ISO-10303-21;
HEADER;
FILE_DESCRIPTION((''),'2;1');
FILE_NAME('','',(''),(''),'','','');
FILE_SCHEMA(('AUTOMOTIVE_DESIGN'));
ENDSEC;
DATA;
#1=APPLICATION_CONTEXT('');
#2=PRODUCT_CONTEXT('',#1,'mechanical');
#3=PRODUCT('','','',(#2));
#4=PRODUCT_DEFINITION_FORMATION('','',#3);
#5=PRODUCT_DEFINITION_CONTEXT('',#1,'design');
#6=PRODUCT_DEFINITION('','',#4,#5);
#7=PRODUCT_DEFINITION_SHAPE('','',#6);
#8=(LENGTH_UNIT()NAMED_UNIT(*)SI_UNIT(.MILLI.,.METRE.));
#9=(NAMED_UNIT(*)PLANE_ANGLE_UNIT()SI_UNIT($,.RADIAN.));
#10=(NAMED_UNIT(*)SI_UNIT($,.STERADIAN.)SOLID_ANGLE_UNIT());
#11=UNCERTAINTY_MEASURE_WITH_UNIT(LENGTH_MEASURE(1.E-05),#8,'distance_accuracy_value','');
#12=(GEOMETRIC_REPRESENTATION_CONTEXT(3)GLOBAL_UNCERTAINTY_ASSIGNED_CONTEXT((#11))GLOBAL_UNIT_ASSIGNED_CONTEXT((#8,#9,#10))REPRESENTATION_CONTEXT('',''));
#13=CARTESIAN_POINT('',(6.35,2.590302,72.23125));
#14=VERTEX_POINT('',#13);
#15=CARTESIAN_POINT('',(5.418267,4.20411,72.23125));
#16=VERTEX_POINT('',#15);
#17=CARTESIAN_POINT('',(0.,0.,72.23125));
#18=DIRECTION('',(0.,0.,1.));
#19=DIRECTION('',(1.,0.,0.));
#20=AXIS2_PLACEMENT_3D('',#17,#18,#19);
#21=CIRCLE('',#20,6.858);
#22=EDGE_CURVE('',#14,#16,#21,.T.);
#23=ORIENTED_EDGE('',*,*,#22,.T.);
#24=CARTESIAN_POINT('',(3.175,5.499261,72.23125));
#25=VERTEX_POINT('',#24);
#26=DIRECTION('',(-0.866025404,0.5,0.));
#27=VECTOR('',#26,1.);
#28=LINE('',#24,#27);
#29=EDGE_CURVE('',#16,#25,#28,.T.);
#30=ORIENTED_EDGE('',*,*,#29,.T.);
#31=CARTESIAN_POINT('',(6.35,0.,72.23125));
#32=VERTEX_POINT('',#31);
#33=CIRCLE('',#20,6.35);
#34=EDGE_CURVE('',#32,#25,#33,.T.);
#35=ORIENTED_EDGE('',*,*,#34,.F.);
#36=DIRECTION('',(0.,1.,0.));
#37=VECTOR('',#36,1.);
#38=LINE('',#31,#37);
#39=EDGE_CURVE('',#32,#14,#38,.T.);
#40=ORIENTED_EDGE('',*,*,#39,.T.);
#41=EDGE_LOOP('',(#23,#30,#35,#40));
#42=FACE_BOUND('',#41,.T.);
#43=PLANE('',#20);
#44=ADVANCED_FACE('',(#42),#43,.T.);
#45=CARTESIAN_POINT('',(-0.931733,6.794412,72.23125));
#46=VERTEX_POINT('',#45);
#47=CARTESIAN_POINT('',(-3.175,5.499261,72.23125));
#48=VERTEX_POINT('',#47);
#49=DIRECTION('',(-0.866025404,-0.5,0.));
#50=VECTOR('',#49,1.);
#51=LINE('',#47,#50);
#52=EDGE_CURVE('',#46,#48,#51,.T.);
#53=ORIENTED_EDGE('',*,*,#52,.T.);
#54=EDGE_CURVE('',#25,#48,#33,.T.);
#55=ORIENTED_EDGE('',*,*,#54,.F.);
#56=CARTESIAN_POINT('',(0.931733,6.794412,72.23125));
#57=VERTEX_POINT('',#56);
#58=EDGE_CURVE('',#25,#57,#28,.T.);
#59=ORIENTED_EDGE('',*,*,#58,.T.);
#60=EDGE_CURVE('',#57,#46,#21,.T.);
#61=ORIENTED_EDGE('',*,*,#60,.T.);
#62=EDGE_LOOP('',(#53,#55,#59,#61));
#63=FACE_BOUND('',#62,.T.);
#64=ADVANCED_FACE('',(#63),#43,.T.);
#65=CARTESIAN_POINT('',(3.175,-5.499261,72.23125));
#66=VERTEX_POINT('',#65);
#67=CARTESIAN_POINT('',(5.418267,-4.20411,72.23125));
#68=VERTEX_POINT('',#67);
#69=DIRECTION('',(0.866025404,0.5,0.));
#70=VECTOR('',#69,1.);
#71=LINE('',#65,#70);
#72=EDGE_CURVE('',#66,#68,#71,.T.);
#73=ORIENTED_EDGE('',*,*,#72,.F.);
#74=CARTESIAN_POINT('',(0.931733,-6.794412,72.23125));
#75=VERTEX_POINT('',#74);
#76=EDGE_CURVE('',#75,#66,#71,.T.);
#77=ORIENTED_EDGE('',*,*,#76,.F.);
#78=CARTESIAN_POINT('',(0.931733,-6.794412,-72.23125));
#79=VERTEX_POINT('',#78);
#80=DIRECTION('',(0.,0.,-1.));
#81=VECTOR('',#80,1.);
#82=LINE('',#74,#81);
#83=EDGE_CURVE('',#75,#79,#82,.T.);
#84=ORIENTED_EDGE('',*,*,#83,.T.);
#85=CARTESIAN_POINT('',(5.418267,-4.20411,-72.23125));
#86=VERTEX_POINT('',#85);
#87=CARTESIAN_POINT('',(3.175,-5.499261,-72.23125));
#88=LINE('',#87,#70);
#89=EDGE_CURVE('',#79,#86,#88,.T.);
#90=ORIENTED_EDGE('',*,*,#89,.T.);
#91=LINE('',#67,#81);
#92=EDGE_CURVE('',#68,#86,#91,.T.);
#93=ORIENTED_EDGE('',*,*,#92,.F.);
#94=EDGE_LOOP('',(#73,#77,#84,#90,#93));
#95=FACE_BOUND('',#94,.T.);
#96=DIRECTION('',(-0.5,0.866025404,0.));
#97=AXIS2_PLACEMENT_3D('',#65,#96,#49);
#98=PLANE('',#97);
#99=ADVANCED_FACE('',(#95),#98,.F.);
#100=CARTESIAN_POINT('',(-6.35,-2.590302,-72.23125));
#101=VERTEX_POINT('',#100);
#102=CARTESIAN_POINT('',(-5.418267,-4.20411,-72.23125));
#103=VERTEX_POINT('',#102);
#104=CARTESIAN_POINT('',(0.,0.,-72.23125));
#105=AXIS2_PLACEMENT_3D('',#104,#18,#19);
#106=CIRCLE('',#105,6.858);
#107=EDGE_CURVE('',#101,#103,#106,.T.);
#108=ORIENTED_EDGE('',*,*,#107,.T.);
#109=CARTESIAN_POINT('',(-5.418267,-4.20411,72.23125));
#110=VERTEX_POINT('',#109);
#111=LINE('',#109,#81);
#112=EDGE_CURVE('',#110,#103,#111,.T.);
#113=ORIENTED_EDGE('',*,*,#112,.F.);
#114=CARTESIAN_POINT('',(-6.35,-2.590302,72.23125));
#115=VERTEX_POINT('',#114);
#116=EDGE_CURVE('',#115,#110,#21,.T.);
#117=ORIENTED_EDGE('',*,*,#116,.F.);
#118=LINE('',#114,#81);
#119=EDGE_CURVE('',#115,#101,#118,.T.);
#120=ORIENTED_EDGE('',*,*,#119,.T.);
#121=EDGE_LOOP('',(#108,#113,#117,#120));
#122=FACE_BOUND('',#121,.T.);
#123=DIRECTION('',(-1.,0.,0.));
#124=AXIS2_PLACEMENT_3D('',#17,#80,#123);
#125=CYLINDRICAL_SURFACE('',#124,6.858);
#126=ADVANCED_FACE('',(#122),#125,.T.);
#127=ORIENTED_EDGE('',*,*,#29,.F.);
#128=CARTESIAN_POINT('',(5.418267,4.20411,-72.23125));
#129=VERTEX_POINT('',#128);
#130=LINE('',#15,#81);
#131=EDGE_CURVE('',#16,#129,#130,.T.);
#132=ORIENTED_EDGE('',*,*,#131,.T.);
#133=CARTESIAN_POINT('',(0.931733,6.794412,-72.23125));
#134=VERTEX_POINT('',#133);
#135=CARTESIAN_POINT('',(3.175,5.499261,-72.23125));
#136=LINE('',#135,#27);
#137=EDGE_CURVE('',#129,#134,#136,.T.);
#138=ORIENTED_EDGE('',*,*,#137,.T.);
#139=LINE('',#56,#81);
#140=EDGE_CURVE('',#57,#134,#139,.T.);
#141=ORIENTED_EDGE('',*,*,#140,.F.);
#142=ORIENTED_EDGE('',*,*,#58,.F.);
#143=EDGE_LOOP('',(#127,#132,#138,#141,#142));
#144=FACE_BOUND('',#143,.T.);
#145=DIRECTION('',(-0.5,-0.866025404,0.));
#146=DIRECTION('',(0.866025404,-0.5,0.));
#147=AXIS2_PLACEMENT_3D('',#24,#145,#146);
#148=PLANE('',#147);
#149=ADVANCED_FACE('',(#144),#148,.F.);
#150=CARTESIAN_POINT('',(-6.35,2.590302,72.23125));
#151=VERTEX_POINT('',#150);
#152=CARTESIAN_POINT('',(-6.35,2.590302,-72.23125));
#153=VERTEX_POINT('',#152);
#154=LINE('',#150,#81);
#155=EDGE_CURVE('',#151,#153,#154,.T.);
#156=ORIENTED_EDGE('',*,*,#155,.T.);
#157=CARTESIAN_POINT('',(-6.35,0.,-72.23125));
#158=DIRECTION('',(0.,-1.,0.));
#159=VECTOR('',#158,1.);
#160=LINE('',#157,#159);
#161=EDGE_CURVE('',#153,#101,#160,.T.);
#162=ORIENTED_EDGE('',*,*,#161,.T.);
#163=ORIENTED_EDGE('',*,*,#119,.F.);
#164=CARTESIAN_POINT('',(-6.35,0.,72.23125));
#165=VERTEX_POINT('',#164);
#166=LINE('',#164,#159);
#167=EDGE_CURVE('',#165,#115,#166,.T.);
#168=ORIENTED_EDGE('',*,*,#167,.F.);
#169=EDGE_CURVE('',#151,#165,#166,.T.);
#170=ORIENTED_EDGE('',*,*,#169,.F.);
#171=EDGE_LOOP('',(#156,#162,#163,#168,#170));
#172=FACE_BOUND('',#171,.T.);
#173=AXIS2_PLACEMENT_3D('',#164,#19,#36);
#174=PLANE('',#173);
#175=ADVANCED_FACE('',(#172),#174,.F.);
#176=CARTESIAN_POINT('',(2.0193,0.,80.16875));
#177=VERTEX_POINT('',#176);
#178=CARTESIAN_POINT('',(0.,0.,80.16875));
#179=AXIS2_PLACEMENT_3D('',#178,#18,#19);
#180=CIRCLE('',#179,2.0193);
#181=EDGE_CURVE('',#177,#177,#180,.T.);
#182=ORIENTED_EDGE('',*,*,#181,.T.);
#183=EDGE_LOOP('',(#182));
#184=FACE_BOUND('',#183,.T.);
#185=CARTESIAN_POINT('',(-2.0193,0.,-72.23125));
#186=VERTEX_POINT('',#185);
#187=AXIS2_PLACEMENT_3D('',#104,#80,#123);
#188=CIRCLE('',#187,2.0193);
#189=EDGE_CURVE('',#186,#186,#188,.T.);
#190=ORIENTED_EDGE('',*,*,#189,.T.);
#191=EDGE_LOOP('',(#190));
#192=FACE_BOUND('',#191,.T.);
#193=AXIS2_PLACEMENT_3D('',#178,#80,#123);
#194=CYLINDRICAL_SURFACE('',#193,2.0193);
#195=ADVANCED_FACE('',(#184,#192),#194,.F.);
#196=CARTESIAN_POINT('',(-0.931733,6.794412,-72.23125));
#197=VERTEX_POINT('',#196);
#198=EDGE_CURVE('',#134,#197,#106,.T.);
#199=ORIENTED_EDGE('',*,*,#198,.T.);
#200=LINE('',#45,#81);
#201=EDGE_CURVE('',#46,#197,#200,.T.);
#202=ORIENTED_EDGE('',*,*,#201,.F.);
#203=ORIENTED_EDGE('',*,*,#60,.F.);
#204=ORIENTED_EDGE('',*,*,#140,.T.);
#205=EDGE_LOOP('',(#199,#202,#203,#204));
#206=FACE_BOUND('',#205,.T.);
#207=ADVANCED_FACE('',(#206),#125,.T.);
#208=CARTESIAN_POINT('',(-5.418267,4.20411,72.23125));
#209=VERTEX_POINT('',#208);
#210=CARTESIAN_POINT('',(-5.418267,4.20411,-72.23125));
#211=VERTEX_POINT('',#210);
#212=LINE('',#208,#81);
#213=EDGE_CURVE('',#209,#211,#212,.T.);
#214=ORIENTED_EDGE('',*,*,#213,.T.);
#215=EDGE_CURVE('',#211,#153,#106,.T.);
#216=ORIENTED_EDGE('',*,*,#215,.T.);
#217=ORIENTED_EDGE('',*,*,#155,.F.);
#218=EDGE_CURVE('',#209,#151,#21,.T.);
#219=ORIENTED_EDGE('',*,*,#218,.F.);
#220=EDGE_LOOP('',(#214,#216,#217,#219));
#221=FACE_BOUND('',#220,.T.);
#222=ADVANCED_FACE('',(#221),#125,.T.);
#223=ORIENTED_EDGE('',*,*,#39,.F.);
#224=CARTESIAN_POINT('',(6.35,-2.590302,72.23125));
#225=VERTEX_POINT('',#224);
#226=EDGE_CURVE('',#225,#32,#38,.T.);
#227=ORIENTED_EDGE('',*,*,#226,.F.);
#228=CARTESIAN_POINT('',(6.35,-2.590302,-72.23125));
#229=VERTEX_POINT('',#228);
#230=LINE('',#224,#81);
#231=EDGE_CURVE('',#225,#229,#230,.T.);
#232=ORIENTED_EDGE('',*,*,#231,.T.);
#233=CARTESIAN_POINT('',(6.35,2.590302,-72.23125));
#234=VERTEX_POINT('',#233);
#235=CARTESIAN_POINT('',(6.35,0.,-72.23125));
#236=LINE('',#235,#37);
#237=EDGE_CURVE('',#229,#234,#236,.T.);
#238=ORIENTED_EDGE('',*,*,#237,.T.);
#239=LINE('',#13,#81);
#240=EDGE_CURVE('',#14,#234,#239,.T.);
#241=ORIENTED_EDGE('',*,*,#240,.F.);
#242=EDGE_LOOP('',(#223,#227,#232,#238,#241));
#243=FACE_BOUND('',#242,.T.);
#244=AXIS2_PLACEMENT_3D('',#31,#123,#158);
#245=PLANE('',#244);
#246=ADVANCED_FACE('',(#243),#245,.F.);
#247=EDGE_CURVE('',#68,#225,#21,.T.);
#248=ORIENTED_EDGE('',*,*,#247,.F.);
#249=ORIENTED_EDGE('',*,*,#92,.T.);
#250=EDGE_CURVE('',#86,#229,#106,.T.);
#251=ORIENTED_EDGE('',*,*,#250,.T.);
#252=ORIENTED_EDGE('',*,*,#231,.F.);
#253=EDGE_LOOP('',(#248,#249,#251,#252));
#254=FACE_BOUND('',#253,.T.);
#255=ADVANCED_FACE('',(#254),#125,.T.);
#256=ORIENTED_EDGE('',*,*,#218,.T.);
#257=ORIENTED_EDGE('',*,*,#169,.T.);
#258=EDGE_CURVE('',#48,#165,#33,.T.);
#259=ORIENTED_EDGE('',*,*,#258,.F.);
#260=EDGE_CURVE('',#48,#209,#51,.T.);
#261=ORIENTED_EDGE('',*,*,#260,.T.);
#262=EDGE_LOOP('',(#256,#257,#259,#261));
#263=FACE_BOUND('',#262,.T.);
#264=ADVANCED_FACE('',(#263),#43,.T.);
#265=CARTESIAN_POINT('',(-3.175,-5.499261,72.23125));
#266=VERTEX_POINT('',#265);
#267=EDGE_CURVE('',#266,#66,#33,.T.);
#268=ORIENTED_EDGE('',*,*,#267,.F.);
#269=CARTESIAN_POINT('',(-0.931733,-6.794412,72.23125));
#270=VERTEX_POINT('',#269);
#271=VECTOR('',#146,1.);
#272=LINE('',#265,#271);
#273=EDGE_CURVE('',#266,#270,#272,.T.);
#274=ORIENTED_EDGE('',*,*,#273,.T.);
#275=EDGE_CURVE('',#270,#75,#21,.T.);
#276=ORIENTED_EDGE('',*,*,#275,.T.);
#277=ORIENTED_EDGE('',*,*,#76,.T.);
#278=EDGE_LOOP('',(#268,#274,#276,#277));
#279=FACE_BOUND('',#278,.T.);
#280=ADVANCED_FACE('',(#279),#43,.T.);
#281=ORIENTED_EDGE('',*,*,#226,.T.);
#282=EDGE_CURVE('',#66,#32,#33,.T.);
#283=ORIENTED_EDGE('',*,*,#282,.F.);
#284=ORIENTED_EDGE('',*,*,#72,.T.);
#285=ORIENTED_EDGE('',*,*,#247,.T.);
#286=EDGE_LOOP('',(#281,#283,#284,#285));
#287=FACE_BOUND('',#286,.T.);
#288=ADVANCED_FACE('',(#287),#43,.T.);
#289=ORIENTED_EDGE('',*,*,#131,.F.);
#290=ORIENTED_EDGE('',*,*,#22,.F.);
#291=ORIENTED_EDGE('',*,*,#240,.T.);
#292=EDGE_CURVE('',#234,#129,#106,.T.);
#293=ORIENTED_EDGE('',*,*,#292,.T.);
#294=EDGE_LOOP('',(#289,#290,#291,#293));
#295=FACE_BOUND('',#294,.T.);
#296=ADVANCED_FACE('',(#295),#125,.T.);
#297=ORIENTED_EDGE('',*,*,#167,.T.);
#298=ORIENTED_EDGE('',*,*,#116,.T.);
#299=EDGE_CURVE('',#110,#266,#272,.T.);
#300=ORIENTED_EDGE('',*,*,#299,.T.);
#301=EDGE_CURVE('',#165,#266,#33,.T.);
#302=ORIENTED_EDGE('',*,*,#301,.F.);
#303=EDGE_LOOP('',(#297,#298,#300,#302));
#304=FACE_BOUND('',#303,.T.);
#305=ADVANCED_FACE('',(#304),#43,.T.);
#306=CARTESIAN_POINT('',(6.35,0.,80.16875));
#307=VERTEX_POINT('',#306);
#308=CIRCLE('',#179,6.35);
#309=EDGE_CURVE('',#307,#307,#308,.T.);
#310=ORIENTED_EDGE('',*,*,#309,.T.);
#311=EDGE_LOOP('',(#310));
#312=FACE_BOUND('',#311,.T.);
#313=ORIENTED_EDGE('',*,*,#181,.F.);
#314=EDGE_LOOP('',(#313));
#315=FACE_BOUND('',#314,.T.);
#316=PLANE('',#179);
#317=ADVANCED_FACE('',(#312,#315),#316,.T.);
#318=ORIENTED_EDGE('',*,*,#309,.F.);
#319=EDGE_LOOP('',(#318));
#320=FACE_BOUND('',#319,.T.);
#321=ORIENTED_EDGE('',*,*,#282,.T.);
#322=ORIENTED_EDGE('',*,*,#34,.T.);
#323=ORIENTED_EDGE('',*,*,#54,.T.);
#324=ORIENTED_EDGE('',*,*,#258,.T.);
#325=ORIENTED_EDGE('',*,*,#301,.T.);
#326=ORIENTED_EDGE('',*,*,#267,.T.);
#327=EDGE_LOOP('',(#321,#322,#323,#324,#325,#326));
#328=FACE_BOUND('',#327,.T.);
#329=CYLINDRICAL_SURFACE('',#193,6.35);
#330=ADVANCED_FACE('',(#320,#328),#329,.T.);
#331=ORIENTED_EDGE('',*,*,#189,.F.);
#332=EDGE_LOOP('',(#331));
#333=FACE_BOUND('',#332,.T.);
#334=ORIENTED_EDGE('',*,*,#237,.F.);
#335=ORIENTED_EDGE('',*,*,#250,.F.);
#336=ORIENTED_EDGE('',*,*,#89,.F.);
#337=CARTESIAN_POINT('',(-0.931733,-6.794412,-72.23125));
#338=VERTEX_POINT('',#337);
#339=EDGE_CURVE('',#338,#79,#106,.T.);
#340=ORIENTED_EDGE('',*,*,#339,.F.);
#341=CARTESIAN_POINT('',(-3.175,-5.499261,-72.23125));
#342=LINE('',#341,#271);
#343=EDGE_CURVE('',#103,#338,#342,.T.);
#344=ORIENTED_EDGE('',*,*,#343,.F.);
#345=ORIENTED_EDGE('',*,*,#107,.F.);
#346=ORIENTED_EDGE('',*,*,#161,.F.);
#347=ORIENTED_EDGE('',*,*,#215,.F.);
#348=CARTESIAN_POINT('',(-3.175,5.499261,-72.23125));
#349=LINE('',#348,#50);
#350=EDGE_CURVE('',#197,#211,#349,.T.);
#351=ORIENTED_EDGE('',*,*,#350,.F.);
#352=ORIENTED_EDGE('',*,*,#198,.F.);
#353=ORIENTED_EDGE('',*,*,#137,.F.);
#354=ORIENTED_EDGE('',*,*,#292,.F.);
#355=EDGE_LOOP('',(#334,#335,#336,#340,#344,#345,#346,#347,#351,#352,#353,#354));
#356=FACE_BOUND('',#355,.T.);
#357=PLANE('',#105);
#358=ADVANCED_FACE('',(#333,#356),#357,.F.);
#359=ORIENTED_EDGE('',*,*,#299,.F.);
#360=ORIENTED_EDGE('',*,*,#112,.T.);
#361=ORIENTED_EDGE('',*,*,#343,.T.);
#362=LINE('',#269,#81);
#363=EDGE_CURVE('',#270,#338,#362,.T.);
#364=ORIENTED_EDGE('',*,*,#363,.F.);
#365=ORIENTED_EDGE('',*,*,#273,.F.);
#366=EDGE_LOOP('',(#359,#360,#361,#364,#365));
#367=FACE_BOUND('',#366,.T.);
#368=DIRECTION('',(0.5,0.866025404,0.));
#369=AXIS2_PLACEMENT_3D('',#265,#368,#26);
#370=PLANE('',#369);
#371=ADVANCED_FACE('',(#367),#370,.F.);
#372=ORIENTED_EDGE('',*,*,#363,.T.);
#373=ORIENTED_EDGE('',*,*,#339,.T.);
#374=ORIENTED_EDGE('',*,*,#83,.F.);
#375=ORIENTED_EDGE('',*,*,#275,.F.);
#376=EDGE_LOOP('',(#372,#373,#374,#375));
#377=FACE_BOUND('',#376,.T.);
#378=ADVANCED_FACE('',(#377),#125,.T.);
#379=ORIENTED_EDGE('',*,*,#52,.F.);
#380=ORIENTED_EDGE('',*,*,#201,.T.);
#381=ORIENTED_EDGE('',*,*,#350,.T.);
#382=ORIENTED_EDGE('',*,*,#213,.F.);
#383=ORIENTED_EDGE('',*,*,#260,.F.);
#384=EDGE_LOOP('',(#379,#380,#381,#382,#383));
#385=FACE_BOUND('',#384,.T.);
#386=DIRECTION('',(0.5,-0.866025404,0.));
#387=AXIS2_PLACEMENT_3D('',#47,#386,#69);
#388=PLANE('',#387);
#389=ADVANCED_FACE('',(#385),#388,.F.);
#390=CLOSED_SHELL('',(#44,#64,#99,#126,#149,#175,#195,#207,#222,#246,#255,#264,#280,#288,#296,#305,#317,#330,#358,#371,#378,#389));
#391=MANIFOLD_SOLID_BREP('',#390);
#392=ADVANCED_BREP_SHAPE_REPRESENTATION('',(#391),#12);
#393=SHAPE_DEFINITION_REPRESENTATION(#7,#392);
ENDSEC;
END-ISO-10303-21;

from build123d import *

# Parameters (mm, degrees)
BOSS_EXTRUDE1_DEPTH    = 72.23125
SKETCH2_R              = 6.35
SKETCH2_R_2            = 2.0193
BOSS_EXTRUDE2_DEPTH    = 7.9375
F_10_32_TAPPED_HOLE1_D = 4.0386


with BuildPart() as part:
    # Sketch1 → Boss-Extrude1 (new, symmetric)
    with BuildSketch(Plane.XY):
        with BuildLine():
            ThreePointArc((0.93173274, 6.79441227), (0, 6.858), (-0.93173274, 6.79441227))
            Line((-0.93173274, 6.79441227), (-5.41826726, 4.204110358))
            ThreePointArc((-5.41826726, 4.204110358), (-5.939202219, 3.429), (-6.35, 2.590301913))
            Line((-6.35, 2.590301913), (-6.35, -2.590301913))
            ThreePointArc((-6.35, -2.590301913), (-5.939202219, -3.429), (-5.41826726, -4.204110358))
            Line((-5.41826726, -4.204110358), (-0.93173274, -6.79441227))
            ThreePointArc((-0.93173274, -6.79441227), (0, -6.858), (0.93173274, -6.79441227))
            Line((0.93173274, -6.79441227), (5.41826726, -4.204110358))
            ThreePointArc((5.41826726, -4.204110358), (5.939202219, -3.429), (6.35, -2.590301913))
            Line((6.35, -2.590301913), (6.35, 2.590301913))
            ThreePointArc((6.35, 2.590301913), (5.939202219, 3.429), (5.41826726, 4.204110358))
            Line((5.41826726, 4.204110358), (0.93173274, 6.79441227))
        make_face()
    extrude(amount=BOSS_EXTRUDE1_DEPTH, both=True)

    # Sketch2 → Boss-Extrude2 (add)
    with BuildSketch(Plane.XY.offset(72.23125)):
        Circle(SKETCH2_R)
        Circle(SKETCH2_R_2, mode=Mode.SUBTRACT)
    extrude(amount=BOSS_EXTRUDE2_DEPTH)

    # #10-32 Tapped Hole1 (through all)
    with Locations(Plane(origin=(0, 0, -72.23125), x_dir=(-1, 0, 0), z_dir=(0, 0, -1))):
        with Locations((0, 0)):
            Hole(F_10_32_TAPPED_HOLE1_D / 2)


solid = part.part
